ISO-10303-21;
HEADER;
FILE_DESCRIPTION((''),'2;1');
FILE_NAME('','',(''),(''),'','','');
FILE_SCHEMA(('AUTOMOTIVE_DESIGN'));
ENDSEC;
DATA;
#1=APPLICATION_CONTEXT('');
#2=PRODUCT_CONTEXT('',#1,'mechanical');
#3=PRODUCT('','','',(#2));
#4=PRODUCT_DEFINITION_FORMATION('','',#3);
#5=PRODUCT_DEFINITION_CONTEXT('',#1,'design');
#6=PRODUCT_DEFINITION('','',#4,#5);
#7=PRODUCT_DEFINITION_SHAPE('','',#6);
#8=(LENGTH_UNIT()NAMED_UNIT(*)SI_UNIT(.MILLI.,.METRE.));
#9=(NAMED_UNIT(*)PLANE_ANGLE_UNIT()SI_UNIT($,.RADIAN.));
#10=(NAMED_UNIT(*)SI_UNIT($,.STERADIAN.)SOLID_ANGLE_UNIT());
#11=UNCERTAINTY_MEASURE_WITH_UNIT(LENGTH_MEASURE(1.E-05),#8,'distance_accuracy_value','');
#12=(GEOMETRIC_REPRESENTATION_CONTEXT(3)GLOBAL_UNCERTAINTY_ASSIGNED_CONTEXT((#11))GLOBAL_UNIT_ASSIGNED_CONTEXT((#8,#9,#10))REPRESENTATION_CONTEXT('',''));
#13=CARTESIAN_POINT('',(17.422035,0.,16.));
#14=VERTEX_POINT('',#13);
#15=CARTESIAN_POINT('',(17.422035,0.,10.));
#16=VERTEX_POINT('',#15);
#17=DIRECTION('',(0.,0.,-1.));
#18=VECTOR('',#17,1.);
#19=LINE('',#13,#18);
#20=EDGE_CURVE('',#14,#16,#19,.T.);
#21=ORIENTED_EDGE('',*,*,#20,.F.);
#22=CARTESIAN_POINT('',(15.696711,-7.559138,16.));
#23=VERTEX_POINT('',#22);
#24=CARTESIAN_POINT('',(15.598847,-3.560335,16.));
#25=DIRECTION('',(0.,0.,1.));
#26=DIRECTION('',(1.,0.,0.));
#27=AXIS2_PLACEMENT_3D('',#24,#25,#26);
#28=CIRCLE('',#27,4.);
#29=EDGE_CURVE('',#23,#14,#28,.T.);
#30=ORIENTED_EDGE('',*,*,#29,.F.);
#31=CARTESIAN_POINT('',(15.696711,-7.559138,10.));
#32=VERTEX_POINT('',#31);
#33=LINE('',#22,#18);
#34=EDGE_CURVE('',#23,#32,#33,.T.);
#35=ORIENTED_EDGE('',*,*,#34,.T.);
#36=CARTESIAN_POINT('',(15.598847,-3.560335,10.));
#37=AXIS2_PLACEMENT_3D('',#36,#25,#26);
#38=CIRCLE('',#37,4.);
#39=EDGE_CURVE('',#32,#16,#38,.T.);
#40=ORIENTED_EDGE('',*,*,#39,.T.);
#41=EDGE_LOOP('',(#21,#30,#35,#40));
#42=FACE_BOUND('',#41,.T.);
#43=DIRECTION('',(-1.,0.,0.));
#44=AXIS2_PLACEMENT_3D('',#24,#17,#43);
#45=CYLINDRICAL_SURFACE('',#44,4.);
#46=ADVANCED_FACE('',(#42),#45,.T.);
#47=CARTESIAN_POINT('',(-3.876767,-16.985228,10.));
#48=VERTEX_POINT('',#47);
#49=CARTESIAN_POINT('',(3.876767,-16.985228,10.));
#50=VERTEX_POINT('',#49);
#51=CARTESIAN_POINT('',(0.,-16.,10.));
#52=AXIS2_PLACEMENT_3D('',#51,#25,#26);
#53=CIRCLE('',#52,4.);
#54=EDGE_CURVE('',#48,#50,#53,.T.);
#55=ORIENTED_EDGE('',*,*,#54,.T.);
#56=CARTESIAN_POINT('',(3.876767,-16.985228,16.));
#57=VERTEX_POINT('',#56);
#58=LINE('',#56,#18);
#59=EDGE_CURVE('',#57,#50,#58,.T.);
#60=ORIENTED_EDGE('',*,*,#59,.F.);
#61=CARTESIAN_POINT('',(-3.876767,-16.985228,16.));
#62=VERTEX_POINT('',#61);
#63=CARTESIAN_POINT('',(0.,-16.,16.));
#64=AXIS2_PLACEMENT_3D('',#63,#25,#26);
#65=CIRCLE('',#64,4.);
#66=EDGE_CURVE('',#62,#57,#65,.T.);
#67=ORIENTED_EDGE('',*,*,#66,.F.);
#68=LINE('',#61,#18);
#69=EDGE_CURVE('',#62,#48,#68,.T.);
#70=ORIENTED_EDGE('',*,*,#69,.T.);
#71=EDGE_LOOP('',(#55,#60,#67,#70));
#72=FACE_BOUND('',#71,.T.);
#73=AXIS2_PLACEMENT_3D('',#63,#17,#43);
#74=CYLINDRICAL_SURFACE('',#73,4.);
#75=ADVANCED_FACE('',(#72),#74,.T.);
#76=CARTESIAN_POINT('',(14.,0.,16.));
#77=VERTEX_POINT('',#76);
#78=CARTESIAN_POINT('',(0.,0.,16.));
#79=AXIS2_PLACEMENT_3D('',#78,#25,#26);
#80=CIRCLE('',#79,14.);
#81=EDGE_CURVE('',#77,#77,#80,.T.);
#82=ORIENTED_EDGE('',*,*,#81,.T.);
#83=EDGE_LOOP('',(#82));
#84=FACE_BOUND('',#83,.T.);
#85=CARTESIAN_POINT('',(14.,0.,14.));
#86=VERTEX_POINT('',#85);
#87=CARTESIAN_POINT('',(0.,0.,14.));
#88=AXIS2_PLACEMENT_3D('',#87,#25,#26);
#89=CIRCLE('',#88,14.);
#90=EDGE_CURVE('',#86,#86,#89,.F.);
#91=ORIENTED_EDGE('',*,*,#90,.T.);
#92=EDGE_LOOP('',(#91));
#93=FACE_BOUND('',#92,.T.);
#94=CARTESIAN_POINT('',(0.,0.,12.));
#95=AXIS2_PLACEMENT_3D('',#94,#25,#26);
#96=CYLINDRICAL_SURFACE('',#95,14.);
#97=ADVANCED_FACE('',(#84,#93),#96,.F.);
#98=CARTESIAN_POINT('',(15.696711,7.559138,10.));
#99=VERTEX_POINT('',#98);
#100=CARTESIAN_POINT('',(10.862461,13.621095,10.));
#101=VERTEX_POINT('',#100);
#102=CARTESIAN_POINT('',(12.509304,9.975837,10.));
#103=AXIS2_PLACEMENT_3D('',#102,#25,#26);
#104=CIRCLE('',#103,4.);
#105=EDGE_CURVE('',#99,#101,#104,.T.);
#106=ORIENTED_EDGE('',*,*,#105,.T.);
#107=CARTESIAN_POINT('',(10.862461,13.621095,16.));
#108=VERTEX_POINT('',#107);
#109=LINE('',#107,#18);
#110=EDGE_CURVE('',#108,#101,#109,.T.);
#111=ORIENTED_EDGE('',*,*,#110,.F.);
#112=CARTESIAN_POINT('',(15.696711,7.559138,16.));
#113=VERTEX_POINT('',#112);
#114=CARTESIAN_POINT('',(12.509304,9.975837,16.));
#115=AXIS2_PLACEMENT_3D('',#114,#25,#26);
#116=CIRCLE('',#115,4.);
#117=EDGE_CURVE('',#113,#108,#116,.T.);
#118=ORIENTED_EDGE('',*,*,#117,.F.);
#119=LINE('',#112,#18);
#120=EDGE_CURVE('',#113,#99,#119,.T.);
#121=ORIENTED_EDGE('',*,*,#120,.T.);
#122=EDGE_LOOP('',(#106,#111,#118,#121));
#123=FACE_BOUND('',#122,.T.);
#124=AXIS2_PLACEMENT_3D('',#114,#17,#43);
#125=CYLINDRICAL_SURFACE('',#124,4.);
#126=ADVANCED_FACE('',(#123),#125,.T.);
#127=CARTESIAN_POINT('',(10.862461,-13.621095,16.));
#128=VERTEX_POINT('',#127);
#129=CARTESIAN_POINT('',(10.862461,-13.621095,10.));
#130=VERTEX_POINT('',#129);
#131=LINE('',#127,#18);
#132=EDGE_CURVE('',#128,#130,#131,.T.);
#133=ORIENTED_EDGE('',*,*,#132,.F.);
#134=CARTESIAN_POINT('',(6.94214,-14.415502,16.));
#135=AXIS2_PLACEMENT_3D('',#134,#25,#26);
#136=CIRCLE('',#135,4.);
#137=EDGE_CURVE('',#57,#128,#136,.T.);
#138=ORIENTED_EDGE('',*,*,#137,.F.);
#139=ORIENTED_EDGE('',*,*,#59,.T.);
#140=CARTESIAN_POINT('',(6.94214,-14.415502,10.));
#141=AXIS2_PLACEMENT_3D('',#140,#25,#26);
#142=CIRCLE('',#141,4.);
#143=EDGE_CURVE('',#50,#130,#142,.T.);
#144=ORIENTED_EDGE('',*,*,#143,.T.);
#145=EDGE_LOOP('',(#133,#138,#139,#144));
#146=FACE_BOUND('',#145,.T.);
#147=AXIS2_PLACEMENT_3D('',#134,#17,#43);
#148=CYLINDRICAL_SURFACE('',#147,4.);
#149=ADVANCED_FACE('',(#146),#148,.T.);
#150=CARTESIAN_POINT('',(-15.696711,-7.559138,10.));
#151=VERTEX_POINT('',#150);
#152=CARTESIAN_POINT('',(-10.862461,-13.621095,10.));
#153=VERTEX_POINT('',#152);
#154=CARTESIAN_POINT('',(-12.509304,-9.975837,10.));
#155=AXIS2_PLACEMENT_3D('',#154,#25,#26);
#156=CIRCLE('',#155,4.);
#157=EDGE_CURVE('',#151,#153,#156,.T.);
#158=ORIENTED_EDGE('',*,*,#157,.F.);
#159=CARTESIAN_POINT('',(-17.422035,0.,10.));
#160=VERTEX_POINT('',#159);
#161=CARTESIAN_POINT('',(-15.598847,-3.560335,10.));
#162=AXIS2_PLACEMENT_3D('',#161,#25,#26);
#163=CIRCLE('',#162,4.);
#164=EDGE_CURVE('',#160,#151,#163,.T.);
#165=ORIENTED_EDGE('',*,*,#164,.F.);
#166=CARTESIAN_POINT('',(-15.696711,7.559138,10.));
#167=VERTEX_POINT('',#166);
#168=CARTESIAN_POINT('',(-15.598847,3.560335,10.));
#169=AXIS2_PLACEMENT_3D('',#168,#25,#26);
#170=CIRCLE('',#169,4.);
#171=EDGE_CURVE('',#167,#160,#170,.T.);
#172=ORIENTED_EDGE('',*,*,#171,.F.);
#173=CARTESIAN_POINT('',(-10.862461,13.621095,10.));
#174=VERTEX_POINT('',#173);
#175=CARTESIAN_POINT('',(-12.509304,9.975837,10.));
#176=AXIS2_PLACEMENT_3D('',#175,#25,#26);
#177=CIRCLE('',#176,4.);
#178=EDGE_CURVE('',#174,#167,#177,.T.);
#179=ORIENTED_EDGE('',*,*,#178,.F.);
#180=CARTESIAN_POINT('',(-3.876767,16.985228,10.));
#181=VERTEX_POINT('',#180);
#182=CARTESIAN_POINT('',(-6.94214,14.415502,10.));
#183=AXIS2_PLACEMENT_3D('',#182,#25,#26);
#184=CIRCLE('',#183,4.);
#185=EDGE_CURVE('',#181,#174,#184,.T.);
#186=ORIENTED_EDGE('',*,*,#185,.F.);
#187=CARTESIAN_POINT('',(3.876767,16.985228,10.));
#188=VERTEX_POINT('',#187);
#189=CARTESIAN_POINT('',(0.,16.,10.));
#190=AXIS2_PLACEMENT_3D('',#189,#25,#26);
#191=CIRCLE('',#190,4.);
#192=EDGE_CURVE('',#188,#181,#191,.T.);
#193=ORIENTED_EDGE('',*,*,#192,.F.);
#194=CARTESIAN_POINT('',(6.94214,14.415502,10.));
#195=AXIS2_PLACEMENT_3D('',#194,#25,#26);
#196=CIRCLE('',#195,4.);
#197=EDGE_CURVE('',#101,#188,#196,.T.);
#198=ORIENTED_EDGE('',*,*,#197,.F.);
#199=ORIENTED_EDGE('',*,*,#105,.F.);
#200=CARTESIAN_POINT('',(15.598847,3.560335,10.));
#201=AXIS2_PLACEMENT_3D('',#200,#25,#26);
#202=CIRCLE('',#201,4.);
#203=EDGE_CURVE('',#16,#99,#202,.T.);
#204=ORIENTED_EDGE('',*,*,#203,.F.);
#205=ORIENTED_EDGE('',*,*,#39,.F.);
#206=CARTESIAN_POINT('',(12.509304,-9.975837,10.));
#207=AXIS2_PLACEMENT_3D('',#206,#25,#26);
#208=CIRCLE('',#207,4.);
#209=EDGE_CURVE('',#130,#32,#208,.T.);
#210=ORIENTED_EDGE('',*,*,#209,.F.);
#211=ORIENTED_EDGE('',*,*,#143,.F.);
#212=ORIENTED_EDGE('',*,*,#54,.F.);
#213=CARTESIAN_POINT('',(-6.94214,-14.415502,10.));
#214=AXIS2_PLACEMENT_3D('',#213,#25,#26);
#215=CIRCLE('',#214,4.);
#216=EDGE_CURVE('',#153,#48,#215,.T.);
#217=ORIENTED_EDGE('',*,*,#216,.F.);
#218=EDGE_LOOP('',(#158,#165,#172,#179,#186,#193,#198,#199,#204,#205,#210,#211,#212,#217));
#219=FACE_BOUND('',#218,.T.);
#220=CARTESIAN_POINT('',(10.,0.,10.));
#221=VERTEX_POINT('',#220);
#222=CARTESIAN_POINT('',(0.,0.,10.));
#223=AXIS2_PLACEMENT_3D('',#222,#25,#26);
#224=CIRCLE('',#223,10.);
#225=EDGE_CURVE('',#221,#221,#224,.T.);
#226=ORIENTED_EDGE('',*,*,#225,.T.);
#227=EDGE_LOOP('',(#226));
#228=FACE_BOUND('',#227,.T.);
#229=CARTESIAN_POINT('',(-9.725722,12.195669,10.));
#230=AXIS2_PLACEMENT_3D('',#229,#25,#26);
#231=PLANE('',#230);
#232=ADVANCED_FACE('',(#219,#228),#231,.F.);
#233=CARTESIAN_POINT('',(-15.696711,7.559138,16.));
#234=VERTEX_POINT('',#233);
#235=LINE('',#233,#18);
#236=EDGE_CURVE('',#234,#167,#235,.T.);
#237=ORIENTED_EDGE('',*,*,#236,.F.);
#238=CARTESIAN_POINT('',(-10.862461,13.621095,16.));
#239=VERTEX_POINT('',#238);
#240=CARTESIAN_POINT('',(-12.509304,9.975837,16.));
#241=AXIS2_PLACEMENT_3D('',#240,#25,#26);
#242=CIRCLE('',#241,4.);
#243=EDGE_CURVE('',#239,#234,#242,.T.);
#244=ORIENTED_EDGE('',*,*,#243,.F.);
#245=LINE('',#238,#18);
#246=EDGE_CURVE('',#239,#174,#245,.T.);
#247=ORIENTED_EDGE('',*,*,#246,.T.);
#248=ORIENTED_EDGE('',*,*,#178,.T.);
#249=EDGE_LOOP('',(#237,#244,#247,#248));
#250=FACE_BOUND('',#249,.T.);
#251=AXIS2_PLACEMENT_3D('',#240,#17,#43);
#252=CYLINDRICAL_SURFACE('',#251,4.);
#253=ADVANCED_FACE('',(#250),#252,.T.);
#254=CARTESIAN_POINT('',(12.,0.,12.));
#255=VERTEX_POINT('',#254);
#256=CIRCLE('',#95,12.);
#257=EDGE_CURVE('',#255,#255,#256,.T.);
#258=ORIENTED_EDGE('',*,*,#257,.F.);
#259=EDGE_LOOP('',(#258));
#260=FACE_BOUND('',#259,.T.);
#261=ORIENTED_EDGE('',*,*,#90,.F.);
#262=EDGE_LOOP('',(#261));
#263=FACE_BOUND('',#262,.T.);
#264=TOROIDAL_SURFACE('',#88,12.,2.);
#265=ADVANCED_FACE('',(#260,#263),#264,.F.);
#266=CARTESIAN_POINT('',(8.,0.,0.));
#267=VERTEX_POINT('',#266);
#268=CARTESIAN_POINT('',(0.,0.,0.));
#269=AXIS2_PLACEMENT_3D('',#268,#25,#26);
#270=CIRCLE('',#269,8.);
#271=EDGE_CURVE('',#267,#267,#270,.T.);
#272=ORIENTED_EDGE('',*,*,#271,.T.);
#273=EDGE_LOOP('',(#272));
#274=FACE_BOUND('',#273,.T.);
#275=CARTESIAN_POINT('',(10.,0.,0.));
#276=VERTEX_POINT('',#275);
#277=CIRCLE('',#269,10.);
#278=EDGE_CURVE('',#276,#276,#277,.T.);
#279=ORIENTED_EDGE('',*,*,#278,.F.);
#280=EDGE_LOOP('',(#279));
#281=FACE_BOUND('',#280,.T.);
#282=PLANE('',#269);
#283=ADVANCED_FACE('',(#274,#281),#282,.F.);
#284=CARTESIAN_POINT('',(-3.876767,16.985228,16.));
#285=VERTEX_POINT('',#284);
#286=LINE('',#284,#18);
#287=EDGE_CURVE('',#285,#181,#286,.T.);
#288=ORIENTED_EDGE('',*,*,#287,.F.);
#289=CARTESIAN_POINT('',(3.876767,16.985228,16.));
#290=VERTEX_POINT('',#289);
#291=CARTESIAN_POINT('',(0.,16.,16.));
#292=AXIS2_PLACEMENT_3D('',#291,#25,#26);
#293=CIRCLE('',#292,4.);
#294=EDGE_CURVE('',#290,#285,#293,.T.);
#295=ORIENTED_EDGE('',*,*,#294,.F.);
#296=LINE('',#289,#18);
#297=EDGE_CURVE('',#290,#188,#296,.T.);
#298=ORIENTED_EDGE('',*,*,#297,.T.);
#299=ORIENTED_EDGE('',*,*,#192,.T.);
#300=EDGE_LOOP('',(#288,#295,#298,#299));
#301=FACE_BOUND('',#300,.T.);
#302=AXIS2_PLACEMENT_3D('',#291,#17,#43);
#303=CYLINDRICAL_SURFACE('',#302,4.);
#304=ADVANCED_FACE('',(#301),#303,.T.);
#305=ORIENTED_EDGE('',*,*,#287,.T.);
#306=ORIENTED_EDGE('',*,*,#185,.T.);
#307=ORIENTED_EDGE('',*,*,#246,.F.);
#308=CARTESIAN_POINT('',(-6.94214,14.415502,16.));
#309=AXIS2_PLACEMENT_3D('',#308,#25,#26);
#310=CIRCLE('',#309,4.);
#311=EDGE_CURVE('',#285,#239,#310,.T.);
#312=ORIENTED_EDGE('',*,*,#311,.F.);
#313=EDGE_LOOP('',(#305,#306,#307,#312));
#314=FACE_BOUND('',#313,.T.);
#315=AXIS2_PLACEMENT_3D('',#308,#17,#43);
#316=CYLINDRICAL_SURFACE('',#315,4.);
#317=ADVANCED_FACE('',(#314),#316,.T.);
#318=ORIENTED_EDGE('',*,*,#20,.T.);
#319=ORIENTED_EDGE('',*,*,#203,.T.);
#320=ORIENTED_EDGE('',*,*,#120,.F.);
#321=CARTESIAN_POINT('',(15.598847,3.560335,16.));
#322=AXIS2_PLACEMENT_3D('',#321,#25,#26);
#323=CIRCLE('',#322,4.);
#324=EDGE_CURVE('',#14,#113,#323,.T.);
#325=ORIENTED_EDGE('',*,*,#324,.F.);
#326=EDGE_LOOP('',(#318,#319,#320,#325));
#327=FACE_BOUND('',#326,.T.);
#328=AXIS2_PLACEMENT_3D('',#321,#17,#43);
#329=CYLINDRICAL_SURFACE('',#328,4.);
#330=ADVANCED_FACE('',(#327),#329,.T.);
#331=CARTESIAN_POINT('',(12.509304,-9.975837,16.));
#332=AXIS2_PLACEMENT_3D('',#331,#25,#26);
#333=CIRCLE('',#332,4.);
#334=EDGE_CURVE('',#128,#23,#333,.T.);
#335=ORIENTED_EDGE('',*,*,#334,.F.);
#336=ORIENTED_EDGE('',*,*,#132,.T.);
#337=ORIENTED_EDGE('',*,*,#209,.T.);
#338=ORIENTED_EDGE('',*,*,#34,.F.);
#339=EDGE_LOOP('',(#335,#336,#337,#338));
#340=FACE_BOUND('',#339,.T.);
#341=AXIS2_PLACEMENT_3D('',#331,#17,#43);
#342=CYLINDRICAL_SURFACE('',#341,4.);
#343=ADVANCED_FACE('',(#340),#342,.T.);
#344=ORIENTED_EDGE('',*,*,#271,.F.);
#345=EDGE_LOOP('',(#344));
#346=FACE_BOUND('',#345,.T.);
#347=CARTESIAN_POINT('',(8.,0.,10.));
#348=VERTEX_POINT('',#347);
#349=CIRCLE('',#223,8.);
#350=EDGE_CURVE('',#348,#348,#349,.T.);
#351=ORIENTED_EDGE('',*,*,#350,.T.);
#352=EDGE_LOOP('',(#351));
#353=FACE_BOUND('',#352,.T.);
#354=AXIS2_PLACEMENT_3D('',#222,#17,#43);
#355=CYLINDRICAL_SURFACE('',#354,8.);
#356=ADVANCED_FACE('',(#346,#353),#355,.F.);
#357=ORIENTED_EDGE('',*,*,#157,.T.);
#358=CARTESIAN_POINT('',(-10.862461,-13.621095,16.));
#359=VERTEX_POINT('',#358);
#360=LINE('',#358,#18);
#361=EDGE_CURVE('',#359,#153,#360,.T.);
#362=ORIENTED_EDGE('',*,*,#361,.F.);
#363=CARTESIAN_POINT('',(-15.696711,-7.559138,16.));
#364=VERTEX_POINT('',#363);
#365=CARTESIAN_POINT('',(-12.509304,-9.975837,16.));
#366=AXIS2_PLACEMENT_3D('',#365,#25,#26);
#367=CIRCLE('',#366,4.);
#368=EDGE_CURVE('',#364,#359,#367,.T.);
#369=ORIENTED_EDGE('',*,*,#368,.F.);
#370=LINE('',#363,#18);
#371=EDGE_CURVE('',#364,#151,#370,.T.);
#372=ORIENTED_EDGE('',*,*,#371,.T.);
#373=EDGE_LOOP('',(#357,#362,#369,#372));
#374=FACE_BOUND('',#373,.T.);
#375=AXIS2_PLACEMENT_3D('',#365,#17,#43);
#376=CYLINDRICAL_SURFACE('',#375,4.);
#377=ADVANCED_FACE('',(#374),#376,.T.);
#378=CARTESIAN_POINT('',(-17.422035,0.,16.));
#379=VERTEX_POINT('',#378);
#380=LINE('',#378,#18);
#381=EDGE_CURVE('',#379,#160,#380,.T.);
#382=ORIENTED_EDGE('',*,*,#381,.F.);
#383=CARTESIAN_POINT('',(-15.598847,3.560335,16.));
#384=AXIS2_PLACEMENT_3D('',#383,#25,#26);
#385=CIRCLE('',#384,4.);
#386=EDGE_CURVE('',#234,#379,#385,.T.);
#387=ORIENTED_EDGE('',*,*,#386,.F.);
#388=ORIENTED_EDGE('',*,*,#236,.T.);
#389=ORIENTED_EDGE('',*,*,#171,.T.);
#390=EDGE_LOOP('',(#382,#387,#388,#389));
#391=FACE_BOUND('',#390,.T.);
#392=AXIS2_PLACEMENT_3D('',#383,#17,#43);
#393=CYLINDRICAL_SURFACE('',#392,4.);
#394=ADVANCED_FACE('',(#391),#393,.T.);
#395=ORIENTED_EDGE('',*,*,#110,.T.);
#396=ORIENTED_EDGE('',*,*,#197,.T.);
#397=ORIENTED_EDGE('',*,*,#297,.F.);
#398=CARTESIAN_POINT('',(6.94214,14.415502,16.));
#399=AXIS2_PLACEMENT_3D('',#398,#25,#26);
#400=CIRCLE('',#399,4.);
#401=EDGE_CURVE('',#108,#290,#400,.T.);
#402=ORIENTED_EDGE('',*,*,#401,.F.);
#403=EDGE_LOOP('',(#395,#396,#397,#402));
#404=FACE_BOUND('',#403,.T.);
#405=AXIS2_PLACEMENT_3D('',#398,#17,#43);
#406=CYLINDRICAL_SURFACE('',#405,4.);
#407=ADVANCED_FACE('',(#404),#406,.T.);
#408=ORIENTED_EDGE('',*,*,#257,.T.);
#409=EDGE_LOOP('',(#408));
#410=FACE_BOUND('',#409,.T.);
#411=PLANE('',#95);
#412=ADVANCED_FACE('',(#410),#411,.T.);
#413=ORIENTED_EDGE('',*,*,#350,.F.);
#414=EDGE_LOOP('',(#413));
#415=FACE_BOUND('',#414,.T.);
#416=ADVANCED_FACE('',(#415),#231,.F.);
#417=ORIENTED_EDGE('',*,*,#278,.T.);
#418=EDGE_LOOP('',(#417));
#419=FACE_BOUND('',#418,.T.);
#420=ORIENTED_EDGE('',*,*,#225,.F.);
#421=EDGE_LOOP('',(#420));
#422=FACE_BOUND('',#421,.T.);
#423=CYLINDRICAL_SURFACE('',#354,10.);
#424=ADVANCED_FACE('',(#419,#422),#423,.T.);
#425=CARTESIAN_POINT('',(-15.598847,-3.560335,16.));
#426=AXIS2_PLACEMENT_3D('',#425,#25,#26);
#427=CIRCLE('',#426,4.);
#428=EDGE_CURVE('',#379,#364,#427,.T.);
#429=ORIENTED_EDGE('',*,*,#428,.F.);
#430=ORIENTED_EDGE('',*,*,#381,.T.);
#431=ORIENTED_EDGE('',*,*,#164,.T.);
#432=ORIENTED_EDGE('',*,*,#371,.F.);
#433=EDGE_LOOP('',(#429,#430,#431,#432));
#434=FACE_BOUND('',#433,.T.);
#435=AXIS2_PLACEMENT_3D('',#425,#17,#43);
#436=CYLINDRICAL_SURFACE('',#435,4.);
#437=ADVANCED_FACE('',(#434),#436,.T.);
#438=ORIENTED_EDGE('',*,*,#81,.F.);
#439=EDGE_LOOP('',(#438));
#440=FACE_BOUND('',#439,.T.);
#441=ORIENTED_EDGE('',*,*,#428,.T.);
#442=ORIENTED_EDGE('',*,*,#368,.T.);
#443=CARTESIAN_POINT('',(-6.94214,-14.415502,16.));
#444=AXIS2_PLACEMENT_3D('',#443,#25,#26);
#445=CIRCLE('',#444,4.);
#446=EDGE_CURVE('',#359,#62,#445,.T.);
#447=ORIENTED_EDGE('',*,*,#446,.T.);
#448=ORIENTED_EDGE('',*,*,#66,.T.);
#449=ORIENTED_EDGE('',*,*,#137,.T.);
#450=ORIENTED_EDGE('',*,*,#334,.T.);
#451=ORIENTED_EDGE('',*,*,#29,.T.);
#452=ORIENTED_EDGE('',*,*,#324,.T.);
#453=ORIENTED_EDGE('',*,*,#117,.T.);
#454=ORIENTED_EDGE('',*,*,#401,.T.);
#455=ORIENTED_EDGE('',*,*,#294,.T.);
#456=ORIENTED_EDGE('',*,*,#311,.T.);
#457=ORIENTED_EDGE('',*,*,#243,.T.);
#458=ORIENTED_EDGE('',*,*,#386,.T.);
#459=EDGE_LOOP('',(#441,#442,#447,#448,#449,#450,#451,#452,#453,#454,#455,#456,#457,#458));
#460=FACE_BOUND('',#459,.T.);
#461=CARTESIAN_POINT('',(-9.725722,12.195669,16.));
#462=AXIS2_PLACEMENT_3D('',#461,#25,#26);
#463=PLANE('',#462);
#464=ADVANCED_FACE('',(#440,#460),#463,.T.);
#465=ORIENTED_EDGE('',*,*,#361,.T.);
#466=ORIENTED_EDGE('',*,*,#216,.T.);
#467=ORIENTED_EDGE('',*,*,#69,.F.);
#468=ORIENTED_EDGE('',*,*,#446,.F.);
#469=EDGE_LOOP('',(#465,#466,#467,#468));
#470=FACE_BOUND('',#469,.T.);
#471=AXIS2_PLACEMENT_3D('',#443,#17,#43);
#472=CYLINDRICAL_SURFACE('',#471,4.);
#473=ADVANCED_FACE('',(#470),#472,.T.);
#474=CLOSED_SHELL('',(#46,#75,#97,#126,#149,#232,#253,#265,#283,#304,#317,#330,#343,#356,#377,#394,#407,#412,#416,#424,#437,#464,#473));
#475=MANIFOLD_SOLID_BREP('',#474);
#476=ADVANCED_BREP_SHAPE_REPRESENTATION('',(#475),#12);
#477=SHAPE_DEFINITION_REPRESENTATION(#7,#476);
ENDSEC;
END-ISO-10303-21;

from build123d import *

# Parameters (mm, degrees)
SKETCH_1_R          = 10
SKETCH_1_R_2        = 8
EXTRUDE_1_DEPTH     = 10
EXTRUDE_2_DEPTH     = 6
SKETCH_3_R          = 14
CUT_EXTRUDE_1_DEPTH = 4
FILLET_1_R          = 2


with BuildPart() as part:
    # Эскиз1 → Бобышка-Вытянуть1 (new body)
    with BuildSketch(Plane.XY):
        Circle(SKETCH_1_R)
        Circle(SKETCH_1_R_2, mode=Mode.SUBTRACT)
    extrude(amount=EXTRUDE_1_DEPTH)

    # Эскиз2 → Бобышка-Вытянуть2 (add)
    with BuildSketch(Plane.XY.offset(10)):
        with BuildLine():
            ThreePointArc((3.876767447, 16.985227976), (0, 20), (-3.876767447, 16.985227976))
            ThreePointArc((-3.876767447, 16.985227976), (-8.677674782, 18.019377358), (-10.862461002, 13.621095265))
            ThreePointArc((-10.862461002, 13.621095265), (-15.636629649, 12.469796037), (-15.696710936, 7.559137585))
            ThreePointArc((-15.696710936, 7.559137585), (-19.498558244, 4.450418679), (-17.422034762, 0))
            ThreePointArc((-17.422034762, 0), (-19.498558244, -4.450418679), (-15.696710936, -7.559137585))
            ThreePointArc((-15.696710936, -7.559137585), (-15.636629649, -12.469796037), (-10.862461002, -13.621095265))
            ThreePointArc((-10.862461002, -13.621095265), (-8.677674782, -18.019377358), (-3.876767447, -16.985227976))
            ThreePointArc((-3.876767447, -16.985227976), (0, -20), (3.876767447, -16.985227976))
            ThreePointArc((3.876767447, -16.985227976), (8.677674782, -18.019377358), (10.862461002, -13.621095265))
            ThreePointArc((10.862461002, -13.621095265), (15.636629649, -12.469796037), (15.696710936, -7.559137585))
            ThreePointArc((15.696710936, -7.559137585), (19.498558244, -4.450418679), (17.422034762, 0))
            ThreePointArc((17.422034762, 0), (19.498558244, 4.450418679), (15.696710936, 7.559137585))
            ThreePointArc((15.696710936, 7.559137585), (15.636629649, 12.469796037), (10.862461002, 13.621095265))
            ThreePointArc((10.862461002, 13.621095265), (8.677674782, 18.019377358), (3.876767447, 16.985227976))
        make_face()
    extrude(amount=EXTRUDE_2_DEPTH)

    # Эскиз3 → Вырез-Вытянуть1 (cut)
    with BuildSketch(Plane.XY.offset(16)):
        Circle(SKETCH_3_R)
    extrude(amount=-CUT_EXTRUDE_1_DEPTH, mode=Mode.SUBTRACT)

    # Скругление1
    fillet_1_edges = [part.edges().sort_by_distance(p)[0] for p in [
        (-14, 0, 12),
    ]]
    fillet(fillet_1_edges, radius=FILLET_1_R)


solid = part.part
